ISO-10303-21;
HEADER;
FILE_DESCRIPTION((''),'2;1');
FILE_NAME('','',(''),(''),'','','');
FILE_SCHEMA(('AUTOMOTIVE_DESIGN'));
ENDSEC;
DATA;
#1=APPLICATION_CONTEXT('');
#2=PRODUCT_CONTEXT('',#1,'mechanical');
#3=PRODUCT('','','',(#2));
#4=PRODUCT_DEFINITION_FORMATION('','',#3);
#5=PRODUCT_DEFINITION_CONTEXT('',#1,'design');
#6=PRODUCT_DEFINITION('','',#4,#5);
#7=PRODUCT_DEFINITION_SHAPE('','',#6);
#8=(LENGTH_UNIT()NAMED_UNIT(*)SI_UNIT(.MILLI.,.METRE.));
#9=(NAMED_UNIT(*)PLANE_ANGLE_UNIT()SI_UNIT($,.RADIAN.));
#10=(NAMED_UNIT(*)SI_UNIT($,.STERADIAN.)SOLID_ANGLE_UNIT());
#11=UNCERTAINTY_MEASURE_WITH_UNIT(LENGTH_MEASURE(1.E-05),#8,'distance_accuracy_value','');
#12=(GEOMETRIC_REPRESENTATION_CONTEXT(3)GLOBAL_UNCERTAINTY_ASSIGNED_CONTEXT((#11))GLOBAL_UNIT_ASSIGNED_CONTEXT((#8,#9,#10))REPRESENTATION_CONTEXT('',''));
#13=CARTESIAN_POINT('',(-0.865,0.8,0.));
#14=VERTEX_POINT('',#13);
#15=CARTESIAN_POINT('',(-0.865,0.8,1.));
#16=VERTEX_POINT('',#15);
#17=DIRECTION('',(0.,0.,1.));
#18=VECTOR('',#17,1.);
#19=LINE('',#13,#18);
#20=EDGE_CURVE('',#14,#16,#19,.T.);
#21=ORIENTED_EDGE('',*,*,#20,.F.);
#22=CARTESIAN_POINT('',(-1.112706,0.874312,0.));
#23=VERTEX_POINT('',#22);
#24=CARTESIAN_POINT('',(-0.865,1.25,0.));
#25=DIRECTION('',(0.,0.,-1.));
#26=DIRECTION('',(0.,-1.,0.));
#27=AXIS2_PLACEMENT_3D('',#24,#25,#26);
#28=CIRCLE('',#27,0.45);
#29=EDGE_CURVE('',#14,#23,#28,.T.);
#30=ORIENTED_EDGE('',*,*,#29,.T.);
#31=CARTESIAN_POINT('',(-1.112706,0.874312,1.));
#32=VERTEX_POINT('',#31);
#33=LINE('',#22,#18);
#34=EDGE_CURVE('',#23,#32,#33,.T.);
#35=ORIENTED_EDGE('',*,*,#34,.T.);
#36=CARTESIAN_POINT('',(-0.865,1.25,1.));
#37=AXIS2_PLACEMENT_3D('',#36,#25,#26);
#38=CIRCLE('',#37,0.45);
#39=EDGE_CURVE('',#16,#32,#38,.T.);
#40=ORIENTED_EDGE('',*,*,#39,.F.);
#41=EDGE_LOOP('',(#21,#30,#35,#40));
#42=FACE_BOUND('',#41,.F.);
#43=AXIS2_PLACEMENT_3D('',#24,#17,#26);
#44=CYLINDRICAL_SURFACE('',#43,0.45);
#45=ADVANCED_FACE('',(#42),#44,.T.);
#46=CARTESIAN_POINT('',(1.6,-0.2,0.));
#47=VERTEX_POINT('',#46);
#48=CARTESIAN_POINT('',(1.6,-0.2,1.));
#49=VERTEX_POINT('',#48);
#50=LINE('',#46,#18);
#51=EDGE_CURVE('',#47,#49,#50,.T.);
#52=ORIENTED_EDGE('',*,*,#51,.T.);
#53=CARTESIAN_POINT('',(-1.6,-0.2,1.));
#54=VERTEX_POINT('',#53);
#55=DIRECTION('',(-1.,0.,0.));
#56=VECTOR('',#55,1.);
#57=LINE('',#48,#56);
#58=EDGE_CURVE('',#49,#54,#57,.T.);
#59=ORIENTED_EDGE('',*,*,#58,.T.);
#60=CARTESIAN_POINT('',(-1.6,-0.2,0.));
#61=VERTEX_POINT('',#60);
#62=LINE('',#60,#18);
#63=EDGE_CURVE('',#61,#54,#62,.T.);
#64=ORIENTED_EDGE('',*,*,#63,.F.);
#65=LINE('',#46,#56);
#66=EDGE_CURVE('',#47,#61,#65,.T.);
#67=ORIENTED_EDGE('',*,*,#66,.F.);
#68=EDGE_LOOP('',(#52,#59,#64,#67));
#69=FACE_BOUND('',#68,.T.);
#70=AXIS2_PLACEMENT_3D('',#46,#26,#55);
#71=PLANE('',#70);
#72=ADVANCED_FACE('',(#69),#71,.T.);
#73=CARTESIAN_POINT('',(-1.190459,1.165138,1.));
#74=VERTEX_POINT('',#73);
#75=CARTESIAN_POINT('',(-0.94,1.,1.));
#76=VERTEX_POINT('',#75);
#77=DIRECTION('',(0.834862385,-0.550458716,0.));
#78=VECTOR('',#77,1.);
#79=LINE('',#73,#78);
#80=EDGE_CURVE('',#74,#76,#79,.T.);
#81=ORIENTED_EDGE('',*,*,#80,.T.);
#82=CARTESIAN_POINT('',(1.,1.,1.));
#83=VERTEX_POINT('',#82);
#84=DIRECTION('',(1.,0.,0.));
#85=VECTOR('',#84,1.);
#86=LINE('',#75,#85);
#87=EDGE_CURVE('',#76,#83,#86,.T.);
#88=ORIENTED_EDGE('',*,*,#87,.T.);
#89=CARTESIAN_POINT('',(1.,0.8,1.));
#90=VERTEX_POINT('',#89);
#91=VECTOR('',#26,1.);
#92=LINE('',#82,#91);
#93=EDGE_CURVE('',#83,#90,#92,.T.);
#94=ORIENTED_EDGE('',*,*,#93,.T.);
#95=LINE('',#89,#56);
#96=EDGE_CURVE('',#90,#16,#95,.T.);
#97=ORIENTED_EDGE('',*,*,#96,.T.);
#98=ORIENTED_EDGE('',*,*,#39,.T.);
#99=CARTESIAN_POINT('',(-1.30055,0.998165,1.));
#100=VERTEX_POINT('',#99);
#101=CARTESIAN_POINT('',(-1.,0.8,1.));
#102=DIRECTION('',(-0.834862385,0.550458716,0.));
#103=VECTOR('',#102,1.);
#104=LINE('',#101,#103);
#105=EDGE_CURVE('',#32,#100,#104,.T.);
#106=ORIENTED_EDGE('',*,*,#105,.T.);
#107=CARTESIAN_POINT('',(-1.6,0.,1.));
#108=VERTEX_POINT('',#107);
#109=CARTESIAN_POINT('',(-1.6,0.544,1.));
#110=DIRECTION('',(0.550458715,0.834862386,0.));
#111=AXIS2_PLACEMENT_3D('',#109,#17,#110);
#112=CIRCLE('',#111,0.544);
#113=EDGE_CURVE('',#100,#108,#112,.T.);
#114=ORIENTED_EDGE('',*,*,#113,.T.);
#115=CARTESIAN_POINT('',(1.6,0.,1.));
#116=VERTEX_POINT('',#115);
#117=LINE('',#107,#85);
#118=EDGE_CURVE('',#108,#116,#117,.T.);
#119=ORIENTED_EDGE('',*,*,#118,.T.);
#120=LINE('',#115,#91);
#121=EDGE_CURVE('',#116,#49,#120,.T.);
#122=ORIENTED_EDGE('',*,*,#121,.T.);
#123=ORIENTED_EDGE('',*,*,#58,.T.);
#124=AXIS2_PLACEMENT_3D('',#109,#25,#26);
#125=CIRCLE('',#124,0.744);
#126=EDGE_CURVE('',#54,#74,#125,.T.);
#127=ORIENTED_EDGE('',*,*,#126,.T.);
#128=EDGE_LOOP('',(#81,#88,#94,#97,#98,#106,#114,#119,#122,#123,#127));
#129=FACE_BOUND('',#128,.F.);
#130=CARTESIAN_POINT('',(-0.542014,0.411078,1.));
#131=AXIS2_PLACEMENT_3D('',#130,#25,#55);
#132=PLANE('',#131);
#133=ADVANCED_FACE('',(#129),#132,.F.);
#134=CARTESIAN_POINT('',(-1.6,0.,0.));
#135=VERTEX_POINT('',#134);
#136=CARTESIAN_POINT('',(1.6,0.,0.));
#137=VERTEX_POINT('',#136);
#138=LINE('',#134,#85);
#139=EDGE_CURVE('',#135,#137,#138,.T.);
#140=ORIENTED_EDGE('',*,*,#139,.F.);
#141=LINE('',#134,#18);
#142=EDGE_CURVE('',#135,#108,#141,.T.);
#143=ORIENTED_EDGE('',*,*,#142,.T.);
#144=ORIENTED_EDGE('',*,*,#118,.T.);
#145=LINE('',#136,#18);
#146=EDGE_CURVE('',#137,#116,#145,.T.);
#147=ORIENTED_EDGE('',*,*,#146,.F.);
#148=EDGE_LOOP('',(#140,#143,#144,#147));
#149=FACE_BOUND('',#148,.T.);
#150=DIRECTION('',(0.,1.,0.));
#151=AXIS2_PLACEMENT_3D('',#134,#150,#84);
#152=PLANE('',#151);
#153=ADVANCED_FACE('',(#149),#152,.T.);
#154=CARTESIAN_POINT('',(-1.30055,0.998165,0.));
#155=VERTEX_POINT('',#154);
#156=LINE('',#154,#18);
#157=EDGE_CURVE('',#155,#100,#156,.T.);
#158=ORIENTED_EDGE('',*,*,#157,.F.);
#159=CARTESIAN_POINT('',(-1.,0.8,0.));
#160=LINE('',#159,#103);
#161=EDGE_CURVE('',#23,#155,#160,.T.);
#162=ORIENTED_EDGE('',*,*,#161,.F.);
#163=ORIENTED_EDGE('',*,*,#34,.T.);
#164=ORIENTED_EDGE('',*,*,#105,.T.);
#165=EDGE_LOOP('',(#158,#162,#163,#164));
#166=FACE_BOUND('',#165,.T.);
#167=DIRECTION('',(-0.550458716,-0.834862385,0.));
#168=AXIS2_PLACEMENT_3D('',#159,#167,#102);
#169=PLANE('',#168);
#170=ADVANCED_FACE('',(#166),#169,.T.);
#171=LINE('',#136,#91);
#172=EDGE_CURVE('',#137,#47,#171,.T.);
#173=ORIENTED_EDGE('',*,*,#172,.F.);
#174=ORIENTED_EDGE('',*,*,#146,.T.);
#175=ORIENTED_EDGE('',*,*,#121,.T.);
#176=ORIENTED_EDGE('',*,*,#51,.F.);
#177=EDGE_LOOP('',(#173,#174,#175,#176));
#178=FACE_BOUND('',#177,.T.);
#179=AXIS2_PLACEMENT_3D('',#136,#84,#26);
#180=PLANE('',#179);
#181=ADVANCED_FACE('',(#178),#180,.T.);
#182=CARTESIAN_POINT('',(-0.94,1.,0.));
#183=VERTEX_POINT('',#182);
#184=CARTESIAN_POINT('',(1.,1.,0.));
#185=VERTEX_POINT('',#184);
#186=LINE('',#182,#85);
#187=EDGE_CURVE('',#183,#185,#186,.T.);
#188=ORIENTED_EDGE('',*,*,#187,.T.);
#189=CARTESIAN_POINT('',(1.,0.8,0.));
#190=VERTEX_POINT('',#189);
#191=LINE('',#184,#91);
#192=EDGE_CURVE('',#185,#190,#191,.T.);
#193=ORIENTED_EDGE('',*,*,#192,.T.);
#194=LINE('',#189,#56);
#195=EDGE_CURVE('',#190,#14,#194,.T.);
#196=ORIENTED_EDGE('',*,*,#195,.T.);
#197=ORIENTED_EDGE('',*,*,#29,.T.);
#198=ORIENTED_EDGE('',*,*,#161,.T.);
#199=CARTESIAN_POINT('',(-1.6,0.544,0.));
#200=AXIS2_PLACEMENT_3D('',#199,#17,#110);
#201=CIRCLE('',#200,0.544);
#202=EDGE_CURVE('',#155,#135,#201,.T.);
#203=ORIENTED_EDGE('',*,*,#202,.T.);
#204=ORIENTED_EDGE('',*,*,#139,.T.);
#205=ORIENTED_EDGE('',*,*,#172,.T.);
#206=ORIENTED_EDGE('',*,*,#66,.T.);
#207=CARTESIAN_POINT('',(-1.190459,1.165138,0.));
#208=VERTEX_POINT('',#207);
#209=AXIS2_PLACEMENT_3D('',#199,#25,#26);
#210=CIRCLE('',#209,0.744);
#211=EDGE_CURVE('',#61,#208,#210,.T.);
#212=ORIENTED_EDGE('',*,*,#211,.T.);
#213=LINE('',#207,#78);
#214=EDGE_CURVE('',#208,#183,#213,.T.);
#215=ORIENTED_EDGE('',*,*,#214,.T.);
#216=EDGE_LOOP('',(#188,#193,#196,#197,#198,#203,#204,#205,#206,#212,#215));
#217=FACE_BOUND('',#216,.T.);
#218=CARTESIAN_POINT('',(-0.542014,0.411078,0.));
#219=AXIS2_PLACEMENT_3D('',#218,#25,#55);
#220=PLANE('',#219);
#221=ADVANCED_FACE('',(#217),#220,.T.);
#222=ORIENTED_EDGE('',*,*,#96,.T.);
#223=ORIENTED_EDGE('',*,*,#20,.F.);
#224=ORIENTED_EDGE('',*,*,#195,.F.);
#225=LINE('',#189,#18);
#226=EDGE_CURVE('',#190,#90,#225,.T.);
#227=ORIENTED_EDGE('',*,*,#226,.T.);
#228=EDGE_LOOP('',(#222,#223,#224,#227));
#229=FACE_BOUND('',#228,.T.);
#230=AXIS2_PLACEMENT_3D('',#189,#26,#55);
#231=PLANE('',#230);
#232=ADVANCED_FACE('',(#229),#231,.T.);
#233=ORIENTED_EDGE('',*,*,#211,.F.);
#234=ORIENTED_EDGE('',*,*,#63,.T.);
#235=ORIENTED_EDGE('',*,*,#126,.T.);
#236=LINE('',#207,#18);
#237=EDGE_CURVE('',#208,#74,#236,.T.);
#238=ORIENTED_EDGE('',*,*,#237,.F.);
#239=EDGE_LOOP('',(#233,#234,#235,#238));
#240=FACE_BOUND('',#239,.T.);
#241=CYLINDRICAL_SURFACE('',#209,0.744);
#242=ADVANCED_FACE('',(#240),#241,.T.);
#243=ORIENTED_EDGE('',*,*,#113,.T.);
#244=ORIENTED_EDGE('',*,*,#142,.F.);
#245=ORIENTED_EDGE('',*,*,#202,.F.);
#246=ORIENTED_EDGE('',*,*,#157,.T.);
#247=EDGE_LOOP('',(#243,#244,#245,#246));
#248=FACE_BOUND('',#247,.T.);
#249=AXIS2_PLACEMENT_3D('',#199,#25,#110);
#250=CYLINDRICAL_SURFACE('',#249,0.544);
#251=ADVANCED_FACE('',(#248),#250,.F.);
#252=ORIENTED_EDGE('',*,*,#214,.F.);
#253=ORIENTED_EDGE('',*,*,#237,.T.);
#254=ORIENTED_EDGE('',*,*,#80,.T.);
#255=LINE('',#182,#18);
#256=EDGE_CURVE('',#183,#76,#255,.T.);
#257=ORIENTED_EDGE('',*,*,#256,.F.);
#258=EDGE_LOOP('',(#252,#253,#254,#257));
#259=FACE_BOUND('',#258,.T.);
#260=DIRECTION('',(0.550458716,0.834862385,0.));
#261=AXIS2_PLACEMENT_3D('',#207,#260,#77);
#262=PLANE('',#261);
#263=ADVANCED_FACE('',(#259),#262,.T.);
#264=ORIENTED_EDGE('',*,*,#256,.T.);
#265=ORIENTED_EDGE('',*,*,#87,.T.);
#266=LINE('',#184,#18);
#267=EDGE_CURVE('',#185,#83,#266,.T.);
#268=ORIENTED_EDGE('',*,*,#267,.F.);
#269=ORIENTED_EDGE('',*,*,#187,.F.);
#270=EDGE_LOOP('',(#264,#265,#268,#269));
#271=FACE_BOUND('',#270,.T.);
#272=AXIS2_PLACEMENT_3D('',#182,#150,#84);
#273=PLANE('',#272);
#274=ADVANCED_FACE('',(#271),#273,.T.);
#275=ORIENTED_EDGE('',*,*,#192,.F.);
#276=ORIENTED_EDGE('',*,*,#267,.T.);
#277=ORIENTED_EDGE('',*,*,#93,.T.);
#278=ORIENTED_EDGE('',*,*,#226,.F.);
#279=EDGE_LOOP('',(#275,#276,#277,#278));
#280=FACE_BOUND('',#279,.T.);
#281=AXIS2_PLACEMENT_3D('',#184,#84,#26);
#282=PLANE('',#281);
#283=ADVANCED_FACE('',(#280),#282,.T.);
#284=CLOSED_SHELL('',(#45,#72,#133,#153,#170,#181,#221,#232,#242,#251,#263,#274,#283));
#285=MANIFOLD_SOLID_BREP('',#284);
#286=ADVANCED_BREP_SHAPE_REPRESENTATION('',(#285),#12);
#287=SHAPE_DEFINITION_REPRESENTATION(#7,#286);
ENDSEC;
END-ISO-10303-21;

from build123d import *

# Parameters (mm, degrees)
BOSS_EXTRUDE1_DEPTH = 1
FILLET2_R           = 0.45


with BuildPart() as part:
    # Sketch1 → Boss-Extrude1 (new body)
    with BuildSketch(Plane.XY):
        with BuildLine():
            Line((-1.6, 0), (1.6, 0))
            Line((1.6, 0), (1.6, -0.2))
            Line((1.6, -0.2), (-1.6, -0.2))
            ThreePointArc((-1.6, -0.2), (-2.312622756, 0.757786827), (-1.190458716, 1.165137615))
            Line((-1.190458716, 1.165137615), (-0.94, 1))
            Line((-0.94, 1), (1, 1))
            Line((1, 1), (1, 0.8))
            Line((1, 0.8), (-1, 0.8))
            Line((-1, 0.8), (-1.300550459, 0.998165138))
            ThreePointArc((-1.300550459, 0.998165138), (-2.121057499, 0.70031725), (-1.6, 0))
        make_face()
    extrude(amount=BOSS_EXTRUDE1_DEPTH)

    # Fillet2
    fillet2_edges = [part.edges().sort_by_distance(p)[0] for p in [
        (-1, 0.8, 0.5),
    ]]
    fillet(fillet2_edges, radius=FILLET2_R)


solid = part.part
